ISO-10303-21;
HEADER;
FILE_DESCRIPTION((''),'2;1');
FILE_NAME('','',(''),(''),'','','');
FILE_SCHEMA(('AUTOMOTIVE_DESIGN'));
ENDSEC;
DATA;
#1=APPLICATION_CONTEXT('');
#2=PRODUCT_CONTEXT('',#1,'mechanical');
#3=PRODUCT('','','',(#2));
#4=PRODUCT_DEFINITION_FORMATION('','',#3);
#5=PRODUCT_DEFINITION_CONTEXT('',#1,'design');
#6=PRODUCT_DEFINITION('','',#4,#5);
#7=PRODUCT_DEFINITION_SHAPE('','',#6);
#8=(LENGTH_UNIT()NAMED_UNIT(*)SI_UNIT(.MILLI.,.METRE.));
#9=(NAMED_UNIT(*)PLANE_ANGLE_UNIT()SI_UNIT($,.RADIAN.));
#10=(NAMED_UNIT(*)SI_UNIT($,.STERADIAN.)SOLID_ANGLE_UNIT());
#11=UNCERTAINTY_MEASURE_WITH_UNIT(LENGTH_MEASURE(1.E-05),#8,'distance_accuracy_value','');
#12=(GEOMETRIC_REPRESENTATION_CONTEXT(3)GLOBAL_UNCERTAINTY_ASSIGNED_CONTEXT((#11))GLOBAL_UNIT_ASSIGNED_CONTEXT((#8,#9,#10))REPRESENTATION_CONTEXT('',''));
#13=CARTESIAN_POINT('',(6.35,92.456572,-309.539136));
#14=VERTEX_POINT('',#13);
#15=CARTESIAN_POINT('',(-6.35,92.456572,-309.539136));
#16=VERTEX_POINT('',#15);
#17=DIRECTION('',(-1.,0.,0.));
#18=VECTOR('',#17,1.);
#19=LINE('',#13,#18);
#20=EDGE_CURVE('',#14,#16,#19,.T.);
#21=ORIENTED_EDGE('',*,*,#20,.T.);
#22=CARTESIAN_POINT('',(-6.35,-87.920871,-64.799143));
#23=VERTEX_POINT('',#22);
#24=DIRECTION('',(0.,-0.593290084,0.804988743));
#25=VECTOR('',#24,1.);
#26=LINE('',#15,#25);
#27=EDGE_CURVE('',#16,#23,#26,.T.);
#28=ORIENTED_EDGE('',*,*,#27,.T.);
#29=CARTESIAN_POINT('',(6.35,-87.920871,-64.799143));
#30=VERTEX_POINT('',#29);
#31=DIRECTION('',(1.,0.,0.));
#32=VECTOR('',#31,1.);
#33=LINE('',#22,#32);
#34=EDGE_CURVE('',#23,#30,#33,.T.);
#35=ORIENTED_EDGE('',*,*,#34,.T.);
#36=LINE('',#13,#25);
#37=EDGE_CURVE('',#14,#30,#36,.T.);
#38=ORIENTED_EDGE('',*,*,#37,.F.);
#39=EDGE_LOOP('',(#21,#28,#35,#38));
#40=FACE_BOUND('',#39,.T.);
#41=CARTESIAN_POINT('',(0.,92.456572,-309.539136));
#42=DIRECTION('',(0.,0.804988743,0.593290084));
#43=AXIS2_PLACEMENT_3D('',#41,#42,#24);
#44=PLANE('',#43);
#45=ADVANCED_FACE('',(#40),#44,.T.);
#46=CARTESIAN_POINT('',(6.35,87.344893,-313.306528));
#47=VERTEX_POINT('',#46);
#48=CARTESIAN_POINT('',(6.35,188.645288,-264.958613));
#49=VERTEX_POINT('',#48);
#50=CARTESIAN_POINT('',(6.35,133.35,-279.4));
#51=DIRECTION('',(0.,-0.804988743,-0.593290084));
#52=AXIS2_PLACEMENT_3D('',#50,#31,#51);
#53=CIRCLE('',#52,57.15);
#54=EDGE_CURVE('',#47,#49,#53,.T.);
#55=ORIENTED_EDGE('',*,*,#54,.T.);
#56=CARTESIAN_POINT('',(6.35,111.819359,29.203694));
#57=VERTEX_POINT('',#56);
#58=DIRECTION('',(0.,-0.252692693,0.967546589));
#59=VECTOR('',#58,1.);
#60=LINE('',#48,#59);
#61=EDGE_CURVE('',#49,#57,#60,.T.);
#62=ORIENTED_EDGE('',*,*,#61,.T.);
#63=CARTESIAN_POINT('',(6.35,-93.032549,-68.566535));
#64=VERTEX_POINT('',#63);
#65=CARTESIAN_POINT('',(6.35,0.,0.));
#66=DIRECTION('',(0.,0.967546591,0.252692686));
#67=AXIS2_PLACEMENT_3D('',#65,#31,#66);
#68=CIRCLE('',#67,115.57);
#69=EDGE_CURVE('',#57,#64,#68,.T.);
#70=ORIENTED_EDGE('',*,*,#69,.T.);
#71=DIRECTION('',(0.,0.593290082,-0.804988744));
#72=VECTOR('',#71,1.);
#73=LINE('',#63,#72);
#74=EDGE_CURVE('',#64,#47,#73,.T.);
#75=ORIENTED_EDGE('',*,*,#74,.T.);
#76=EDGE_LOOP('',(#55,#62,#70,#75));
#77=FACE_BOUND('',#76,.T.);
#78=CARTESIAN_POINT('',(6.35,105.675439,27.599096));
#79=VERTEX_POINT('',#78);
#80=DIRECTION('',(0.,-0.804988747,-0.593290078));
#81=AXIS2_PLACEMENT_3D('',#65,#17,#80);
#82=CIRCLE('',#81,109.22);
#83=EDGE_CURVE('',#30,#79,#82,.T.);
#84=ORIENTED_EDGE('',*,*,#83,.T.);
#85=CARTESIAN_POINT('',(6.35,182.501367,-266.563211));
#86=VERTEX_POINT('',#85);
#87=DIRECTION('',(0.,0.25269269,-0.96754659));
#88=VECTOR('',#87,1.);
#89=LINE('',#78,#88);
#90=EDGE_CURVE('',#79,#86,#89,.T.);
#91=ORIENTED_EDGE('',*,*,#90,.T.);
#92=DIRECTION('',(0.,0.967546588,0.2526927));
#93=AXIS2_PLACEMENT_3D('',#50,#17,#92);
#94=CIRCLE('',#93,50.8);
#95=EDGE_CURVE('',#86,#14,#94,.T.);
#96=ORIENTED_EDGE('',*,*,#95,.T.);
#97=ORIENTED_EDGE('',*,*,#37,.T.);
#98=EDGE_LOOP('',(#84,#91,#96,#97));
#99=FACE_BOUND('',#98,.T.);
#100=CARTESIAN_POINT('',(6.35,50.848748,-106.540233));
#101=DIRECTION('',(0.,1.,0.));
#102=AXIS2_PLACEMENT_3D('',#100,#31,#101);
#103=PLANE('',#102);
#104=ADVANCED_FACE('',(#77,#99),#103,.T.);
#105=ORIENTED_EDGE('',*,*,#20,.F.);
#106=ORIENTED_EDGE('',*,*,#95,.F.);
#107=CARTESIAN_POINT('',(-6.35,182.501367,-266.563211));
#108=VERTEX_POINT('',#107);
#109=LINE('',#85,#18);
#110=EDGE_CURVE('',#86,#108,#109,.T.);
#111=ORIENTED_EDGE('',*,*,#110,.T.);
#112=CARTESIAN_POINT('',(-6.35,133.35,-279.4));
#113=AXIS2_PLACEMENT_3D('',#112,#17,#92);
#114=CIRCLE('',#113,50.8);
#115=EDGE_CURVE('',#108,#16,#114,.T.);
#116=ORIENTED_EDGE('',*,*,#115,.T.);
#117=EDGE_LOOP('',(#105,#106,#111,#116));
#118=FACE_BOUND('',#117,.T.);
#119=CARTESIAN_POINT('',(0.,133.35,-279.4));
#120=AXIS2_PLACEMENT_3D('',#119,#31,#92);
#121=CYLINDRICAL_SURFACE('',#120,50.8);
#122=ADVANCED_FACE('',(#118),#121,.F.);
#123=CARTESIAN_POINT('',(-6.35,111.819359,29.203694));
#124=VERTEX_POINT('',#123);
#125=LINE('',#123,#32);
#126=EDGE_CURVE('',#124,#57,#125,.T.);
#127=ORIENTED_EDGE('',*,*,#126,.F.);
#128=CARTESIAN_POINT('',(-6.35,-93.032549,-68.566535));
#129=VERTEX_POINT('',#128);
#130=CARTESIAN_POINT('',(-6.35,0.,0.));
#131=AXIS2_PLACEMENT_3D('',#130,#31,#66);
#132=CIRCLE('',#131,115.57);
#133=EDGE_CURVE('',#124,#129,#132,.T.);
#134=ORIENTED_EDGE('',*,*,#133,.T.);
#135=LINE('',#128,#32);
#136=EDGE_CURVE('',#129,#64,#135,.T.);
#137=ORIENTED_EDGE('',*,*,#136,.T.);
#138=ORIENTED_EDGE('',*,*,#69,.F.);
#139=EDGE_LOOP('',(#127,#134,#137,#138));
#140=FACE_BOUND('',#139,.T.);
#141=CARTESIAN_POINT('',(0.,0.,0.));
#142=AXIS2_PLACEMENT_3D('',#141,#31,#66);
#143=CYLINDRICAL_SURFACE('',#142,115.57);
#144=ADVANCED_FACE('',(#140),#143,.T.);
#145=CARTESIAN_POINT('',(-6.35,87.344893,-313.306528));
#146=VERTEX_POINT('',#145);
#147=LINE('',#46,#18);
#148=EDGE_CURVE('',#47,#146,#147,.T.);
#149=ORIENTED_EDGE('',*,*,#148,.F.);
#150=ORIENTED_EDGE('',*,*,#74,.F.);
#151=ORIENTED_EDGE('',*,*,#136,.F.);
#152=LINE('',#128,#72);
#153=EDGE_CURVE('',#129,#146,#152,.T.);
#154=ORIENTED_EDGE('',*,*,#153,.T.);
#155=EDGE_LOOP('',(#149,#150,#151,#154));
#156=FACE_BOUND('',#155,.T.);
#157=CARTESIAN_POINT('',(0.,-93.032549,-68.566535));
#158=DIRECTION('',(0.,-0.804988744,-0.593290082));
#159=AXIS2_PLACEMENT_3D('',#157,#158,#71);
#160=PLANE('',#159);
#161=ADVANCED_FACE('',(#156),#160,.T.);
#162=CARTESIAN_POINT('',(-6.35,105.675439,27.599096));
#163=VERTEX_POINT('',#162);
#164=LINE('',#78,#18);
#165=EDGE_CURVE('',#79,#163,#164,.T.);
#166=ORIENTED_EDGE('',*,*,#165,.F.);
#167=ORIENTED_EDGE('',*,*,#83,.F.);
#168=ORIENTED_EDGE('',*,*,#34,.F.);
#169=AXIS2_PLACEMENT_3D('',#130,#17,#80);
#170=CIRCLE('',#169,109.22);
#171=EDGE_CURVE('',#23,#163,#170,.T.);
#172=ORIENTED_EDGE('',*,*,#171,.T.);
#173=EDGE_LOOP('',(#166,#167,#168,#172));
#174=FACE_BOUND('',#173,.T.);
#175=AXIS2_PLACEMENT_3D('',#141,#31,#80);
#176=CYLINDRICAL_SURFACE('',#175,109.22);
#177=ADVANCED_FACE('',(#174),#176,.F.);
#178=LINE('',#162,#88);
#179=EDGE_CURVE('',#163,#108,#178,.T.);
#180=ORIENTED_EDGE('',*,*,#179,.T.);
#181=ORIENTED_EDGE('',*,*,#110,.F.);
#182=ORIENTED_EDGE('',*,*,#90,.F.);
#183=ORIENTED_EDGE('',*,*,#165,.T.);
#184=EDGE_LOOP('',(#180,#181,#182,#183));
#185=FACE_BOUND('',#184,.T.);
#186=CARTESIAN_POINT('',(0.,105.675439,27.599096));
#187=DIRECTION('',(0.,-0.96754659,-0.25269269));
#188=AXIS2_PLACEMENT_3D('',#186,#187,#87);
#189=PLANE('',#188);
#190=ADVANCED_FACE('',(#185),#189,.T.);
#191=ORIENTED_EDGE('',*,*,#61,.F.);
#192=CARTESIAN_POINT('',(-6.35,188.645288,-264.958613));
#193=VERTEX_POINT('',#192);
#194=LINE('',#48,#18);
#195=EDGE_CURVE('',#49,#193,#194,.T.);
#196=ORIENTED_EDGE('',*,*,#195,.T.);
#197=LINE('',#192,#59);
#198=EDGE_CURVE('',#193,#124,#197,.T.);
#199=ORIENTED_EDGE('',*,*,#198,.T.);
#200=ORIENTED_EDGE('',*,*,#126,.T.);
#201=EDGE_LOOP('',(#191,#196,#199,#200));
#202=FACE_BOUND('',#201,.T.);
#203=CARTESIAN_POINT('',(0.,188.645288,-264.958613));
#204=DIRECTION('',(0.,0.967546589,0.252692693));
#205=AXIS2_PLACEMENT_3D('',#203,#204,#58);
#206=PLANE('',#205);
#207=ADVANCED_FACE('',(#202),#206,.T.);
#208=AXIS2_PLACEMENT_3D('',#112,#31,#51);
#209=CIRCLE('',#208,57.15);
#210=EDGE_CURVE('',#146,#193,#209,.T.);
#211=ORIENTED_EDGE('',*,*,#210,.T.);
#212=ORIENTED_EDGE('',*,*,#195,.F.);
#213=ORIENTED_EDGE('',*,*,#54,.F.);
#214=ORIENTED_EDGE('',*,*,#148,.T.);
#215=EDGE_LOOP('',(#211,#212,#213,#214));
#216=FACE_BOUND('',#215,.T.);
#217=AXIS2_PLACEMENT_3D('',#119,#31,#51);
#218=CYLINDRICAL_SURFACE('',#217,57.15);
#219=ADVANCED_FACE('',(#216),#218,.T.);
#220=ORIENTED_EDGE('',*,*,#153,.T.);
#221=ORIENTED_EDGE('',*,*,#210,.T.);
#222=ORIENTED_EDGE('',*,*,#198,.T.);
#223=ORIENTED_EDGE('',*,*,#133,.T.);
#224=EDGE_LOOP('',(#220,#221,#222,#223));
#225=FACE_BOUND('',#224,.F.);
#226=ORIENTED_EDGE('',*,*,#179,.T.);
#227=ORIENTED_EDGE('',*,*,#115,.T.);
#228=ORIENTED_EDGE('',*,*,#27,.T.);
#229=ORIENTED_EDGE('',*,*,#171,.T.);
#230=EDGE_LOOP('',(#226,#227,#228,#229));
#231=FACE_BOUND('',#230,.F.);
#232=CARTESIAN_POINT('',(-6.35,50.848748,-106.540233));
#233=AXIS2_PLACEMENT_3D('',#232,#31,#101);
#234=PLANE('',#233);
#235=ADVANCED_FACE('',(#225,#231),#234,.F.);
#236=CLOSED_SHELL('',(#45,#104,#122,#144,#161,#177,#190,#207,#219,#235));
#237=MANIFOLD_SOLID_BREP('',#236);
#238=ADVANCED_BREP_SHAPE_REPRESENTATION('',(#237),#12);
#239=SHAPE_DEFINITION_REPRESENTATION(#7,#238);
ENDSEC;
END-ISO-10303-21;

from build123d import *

# Parameters (mm, degrees)
F1_DEPTH = 6.35


with BuildPart() as f1:
    # F0 (on Right) → F1 (new body, symmetric)
    with BuildSketch(Plane.YZ):
        with BuildLine():
            Line((188.645288, -264.958613), (111.819359, 29.203694))
            ThreePointArc((111.819359, 29.203694), (-49.779418, 104.299734), (-93.032549, -68.566535))
            Line((-93.032549, -68.566535), (87.344893, -313.306528))
            ThreePointArc((87.344893, -313.306528), (157.966196, -330.976791), (188.645288, -264.958613))
        make_face()
        with BuildLine():
            ThreePointArc((-87.920871, -64.799143), (-47.044285, 98.568979), (105.675439, 27.599096))
            Line((105.675439, 27.599096), (182.501367, -266.563211))
            ThreePointArc((182.501367, -266.563211), (155.231063, -325.246037), (92.456572, -309.539136))
            Line((92.456572, -309.539136), (-87.920871, -64.799143))
        make_face(mode=Mode.SUBTRACT)
    extrude(amount=F1_DEPTH, both=True)


solid = f1.part
